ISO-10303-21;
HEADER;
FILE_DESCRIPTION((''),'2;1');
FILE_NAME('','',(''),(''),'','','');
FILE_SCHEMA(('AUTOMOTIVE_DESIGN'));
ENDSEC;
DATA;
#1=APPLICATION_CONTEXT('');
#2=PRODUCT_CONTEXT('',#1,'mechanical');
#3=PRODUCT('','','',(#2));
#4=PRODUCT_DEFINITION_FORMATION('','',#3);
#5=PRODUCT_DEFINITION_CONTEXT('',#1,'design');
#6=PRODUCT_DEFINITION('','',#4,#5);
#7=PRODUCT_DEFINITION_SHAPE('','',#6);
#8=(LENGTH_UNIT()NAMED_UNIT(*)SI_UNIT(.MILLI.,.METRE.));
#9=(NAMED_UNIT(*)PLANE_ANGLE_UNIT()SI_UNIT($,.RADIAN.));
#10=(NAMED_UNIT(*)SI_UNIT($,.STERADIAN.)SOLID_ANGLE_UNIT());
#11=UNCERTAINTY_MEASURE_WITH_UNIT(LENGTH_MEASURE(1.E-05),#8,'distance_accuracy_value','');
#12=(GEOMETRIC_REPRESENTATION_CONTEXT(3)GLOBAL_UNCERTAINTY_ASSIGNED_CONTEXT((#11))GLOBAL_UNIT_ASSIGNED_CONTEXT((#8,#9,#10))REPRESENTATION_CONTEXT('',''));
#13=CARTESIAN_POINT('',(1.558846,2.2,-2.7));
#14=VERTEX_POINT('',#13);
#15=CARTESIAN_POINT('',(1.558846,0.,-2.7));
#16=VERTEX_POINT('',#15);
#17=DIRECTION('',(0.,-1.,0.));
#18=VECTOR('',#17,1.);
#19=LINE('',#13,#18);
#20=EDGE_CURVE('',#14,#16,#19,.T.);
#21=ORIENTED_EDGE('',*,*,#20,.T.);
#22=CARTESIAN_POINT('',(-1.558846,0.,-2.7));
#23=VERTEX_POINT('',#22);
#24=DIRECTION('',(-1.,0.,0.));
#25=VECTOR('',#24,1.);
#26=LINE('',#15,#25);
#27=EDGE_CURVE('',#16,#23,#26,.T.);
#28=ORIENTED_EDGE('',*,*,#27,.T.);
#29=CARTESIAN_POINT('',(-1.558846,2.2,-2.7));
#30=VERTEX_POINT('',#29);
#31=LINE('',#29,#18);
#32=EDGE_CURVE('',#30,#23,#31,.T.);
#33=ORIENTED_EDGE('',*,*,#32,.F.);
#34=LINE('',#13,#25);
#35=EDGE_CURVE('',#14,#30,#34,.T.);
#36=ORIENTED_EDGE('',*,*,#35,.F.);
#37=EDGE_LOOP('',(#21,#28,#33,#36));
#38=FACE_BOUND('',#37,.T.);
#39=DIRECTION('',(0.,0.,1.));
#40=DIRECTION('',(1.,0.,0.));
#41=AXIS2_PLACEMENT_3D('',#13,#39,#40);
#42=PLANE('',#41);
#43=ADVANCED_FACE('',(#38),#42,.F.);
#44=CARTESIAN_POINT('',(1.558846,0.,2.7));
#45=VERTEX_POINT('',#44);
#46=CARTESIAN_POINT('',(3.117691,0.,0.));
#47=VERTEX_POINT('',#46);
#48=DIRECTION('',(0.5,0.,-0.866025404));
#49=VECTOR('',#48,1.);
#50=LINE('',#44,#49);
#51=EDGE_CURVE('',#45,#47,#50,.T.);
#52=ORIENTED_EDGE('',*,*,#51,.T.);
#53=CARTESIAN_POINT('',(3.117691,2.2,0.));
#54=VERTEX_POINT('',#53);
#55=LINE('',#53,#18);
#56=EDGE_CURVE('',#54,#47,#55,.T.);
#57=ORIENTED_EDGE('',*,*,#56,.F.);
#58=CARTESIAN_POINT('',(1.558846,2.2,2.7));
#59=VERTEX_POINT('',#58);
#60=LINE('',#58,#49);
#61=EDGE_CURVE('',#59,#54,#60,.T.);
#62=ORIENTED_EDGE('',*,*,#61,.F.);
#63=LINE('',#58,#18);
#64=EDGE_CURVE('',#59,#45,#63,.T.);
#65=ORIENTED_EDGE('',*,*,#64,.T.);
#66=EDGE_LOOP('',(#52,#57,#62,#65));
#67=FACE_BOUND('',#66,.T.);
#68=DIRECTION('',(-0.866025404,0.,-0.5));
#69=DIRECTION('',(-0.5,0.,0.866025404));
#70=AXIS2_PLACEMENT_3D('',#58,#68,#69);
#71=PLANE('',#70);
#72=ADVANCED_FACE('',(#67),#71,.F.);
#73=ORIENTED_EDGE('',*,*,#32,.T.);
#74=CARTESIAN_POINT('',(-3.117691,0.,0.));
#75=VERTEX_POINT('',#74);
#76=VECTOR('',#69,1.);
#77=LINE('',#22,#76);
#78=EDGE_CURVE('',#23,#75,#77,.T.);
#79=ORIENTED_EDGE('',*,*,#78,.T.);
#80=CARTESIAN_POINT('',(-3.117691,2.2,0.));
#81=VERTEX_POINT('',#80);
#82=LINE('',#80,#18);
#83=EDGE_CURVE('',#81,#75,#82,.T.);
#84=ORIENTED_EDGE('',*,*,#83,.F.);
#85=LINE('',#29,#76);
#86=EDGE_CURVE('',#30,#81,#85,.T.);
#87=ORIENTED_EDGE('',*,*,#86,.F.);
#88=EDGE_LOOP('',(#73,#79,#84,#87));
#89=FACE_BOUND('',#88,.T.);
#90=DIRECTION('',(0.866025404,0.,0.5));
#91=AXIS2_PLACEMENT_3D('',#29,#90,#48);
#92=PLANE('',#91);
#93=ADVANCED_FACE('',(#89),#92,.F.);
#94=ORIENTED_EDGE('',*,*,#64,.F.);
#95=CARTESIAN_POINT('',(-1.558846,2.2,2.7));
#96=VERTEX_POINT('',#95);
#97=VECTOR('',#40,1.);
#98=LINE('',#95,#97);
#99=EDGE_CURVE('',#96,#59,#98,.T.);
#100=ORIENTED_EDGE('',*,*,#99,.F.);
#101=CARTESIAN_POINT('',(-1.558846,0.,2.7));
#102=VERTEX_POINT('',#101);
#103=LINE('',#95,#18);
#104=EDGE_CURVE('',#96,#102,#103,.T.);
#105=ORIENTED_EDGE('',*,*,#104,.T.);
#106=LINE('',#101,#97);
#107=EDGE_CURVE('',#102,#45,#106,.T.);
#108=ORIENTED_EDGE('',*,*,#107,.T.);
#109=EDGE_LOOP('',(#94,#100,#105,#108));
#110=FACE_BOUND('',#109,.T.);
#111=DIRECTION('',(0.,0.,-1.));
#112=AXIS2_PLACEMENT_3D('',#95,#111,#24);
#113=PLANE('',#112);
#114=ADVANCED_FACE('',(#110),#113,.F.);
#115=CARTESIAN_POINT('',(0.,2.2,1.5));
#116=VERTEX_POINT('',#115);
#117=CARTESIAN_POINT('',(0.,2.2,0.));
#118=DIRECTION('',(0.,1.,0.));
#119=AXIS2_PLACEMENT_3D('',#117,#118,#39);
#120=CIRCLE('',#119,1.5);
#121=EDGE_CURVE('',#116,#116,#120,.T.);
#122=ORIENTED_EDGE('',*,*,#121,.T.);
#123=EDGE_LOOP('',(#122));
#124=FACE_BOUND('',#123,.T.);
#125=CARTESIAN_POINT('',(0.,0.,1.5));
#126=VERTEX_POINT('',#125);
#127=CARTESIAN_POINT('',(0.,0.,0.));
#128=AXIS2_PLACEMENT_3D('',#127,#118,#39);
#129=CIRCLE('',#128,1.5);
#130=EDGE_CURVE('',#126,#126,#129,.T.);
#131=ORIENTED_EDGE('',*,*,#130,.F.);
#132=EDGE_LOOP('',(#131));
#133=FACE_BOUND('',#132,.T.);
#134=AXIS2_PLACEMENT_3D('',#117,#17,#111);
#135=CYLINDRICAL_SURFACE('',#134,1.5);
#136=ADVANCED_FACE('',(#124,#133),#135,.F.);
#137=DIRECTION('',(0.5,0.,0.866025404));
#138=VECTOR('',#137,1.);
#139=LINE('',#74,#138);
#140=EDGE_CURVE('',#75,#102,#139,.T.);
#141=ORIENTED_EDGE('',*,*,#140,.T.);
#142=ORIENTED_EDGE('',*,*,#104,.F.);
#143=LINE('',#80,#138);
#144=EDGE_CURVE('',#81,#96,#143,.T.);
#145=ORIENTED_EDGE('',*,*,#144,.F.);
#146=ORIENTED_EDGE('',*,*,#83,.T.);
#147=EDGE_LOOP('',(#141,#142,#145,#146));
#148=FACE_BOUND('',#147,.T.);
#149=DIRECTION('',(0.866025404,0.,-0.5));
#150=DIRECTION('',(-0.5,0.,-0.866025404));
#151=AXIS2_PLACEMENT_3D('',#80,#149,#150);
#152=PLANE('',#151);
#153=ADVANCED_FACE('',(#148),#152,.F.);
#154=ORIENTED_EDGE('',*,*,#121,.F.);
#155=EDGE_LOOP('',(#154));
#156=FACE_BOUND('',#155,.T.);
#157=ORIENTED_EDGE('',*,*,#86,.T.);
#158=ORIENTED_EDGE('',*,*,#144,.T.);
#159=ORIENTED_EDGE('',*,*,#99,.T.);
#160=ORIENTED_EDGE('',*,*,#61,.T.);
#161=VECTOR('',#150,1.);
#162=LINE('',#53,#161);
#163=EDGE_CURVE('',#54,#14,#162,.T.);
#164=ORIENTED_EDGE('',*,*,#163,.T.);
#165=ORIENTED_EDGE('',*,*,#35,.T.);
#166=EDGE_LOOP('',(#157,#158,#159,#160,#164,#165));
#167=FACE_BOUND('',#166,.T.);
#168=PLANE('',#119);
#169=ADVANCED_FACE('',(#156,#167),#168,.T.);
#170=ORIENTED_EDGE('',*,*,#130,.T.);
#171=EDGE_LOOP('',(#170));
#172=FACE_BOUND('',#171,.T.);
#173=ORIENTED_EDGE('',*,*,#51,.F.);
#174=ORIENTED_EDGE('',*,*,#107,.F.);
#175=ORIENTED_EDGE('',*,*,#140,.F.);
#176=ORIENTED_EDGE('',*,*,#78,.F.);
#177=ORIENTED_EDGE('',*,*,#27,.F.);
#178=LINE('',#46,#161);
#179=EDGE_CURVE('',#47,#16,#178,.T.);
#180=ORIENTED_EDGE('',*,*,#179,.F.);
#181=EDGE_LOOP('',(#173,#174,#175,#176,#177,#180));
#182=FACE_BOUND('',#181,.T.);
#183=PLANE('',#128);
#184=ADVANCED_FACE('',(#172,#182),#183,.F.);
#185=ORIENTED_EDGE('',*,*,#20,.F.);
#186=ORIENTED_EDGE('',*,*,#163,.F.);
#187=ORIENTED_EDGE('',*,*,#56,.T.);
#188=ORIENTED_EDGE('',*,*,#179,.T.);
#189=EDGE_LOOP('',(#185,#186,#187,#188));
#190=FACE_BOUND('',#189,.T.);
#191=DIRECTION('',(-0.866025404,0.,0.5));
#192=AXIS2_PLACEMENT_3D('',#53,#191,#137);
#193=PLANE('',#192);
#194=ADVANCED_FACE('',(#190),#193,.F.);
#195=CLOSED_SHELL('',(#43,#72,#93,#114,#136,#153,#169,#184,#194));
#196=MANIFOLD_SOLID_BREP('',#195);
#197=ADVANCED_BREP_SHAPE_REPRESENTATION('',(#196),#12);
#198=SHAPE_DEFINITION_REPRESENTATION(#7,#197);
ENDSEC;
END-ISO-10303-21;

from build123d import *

# Parameters (mm, degrees)
CROQUIS1_R              = 1.5
SALIENTE_EXTRUIR1_DEPTH = 2.2


with BuildPart() as part:
    # Croquis1 → Saliente-Extruir1 (new body)
    with BuildSketch(Plane(origin=(0, 0, 0), x_dir=(1, 0, 0), z_dir=(0, 1, 0))):
        Polygon((3.117691454, 0), (1.558845727, 2.7), (-1.558845727, 2.7), (-3.117691454, 0), (-1.558845727, -2.7), (1.558845727, -2.7), align=None)
        with Locations(Location((0, 0, 0), (0, 0, 270))):
            Circle(CROQUIS1_R, mode=Mode.SUBTRACT)
    extrude(amount=SALIENTE_EXTRUIR1_DEPTH)


solid = part.part
